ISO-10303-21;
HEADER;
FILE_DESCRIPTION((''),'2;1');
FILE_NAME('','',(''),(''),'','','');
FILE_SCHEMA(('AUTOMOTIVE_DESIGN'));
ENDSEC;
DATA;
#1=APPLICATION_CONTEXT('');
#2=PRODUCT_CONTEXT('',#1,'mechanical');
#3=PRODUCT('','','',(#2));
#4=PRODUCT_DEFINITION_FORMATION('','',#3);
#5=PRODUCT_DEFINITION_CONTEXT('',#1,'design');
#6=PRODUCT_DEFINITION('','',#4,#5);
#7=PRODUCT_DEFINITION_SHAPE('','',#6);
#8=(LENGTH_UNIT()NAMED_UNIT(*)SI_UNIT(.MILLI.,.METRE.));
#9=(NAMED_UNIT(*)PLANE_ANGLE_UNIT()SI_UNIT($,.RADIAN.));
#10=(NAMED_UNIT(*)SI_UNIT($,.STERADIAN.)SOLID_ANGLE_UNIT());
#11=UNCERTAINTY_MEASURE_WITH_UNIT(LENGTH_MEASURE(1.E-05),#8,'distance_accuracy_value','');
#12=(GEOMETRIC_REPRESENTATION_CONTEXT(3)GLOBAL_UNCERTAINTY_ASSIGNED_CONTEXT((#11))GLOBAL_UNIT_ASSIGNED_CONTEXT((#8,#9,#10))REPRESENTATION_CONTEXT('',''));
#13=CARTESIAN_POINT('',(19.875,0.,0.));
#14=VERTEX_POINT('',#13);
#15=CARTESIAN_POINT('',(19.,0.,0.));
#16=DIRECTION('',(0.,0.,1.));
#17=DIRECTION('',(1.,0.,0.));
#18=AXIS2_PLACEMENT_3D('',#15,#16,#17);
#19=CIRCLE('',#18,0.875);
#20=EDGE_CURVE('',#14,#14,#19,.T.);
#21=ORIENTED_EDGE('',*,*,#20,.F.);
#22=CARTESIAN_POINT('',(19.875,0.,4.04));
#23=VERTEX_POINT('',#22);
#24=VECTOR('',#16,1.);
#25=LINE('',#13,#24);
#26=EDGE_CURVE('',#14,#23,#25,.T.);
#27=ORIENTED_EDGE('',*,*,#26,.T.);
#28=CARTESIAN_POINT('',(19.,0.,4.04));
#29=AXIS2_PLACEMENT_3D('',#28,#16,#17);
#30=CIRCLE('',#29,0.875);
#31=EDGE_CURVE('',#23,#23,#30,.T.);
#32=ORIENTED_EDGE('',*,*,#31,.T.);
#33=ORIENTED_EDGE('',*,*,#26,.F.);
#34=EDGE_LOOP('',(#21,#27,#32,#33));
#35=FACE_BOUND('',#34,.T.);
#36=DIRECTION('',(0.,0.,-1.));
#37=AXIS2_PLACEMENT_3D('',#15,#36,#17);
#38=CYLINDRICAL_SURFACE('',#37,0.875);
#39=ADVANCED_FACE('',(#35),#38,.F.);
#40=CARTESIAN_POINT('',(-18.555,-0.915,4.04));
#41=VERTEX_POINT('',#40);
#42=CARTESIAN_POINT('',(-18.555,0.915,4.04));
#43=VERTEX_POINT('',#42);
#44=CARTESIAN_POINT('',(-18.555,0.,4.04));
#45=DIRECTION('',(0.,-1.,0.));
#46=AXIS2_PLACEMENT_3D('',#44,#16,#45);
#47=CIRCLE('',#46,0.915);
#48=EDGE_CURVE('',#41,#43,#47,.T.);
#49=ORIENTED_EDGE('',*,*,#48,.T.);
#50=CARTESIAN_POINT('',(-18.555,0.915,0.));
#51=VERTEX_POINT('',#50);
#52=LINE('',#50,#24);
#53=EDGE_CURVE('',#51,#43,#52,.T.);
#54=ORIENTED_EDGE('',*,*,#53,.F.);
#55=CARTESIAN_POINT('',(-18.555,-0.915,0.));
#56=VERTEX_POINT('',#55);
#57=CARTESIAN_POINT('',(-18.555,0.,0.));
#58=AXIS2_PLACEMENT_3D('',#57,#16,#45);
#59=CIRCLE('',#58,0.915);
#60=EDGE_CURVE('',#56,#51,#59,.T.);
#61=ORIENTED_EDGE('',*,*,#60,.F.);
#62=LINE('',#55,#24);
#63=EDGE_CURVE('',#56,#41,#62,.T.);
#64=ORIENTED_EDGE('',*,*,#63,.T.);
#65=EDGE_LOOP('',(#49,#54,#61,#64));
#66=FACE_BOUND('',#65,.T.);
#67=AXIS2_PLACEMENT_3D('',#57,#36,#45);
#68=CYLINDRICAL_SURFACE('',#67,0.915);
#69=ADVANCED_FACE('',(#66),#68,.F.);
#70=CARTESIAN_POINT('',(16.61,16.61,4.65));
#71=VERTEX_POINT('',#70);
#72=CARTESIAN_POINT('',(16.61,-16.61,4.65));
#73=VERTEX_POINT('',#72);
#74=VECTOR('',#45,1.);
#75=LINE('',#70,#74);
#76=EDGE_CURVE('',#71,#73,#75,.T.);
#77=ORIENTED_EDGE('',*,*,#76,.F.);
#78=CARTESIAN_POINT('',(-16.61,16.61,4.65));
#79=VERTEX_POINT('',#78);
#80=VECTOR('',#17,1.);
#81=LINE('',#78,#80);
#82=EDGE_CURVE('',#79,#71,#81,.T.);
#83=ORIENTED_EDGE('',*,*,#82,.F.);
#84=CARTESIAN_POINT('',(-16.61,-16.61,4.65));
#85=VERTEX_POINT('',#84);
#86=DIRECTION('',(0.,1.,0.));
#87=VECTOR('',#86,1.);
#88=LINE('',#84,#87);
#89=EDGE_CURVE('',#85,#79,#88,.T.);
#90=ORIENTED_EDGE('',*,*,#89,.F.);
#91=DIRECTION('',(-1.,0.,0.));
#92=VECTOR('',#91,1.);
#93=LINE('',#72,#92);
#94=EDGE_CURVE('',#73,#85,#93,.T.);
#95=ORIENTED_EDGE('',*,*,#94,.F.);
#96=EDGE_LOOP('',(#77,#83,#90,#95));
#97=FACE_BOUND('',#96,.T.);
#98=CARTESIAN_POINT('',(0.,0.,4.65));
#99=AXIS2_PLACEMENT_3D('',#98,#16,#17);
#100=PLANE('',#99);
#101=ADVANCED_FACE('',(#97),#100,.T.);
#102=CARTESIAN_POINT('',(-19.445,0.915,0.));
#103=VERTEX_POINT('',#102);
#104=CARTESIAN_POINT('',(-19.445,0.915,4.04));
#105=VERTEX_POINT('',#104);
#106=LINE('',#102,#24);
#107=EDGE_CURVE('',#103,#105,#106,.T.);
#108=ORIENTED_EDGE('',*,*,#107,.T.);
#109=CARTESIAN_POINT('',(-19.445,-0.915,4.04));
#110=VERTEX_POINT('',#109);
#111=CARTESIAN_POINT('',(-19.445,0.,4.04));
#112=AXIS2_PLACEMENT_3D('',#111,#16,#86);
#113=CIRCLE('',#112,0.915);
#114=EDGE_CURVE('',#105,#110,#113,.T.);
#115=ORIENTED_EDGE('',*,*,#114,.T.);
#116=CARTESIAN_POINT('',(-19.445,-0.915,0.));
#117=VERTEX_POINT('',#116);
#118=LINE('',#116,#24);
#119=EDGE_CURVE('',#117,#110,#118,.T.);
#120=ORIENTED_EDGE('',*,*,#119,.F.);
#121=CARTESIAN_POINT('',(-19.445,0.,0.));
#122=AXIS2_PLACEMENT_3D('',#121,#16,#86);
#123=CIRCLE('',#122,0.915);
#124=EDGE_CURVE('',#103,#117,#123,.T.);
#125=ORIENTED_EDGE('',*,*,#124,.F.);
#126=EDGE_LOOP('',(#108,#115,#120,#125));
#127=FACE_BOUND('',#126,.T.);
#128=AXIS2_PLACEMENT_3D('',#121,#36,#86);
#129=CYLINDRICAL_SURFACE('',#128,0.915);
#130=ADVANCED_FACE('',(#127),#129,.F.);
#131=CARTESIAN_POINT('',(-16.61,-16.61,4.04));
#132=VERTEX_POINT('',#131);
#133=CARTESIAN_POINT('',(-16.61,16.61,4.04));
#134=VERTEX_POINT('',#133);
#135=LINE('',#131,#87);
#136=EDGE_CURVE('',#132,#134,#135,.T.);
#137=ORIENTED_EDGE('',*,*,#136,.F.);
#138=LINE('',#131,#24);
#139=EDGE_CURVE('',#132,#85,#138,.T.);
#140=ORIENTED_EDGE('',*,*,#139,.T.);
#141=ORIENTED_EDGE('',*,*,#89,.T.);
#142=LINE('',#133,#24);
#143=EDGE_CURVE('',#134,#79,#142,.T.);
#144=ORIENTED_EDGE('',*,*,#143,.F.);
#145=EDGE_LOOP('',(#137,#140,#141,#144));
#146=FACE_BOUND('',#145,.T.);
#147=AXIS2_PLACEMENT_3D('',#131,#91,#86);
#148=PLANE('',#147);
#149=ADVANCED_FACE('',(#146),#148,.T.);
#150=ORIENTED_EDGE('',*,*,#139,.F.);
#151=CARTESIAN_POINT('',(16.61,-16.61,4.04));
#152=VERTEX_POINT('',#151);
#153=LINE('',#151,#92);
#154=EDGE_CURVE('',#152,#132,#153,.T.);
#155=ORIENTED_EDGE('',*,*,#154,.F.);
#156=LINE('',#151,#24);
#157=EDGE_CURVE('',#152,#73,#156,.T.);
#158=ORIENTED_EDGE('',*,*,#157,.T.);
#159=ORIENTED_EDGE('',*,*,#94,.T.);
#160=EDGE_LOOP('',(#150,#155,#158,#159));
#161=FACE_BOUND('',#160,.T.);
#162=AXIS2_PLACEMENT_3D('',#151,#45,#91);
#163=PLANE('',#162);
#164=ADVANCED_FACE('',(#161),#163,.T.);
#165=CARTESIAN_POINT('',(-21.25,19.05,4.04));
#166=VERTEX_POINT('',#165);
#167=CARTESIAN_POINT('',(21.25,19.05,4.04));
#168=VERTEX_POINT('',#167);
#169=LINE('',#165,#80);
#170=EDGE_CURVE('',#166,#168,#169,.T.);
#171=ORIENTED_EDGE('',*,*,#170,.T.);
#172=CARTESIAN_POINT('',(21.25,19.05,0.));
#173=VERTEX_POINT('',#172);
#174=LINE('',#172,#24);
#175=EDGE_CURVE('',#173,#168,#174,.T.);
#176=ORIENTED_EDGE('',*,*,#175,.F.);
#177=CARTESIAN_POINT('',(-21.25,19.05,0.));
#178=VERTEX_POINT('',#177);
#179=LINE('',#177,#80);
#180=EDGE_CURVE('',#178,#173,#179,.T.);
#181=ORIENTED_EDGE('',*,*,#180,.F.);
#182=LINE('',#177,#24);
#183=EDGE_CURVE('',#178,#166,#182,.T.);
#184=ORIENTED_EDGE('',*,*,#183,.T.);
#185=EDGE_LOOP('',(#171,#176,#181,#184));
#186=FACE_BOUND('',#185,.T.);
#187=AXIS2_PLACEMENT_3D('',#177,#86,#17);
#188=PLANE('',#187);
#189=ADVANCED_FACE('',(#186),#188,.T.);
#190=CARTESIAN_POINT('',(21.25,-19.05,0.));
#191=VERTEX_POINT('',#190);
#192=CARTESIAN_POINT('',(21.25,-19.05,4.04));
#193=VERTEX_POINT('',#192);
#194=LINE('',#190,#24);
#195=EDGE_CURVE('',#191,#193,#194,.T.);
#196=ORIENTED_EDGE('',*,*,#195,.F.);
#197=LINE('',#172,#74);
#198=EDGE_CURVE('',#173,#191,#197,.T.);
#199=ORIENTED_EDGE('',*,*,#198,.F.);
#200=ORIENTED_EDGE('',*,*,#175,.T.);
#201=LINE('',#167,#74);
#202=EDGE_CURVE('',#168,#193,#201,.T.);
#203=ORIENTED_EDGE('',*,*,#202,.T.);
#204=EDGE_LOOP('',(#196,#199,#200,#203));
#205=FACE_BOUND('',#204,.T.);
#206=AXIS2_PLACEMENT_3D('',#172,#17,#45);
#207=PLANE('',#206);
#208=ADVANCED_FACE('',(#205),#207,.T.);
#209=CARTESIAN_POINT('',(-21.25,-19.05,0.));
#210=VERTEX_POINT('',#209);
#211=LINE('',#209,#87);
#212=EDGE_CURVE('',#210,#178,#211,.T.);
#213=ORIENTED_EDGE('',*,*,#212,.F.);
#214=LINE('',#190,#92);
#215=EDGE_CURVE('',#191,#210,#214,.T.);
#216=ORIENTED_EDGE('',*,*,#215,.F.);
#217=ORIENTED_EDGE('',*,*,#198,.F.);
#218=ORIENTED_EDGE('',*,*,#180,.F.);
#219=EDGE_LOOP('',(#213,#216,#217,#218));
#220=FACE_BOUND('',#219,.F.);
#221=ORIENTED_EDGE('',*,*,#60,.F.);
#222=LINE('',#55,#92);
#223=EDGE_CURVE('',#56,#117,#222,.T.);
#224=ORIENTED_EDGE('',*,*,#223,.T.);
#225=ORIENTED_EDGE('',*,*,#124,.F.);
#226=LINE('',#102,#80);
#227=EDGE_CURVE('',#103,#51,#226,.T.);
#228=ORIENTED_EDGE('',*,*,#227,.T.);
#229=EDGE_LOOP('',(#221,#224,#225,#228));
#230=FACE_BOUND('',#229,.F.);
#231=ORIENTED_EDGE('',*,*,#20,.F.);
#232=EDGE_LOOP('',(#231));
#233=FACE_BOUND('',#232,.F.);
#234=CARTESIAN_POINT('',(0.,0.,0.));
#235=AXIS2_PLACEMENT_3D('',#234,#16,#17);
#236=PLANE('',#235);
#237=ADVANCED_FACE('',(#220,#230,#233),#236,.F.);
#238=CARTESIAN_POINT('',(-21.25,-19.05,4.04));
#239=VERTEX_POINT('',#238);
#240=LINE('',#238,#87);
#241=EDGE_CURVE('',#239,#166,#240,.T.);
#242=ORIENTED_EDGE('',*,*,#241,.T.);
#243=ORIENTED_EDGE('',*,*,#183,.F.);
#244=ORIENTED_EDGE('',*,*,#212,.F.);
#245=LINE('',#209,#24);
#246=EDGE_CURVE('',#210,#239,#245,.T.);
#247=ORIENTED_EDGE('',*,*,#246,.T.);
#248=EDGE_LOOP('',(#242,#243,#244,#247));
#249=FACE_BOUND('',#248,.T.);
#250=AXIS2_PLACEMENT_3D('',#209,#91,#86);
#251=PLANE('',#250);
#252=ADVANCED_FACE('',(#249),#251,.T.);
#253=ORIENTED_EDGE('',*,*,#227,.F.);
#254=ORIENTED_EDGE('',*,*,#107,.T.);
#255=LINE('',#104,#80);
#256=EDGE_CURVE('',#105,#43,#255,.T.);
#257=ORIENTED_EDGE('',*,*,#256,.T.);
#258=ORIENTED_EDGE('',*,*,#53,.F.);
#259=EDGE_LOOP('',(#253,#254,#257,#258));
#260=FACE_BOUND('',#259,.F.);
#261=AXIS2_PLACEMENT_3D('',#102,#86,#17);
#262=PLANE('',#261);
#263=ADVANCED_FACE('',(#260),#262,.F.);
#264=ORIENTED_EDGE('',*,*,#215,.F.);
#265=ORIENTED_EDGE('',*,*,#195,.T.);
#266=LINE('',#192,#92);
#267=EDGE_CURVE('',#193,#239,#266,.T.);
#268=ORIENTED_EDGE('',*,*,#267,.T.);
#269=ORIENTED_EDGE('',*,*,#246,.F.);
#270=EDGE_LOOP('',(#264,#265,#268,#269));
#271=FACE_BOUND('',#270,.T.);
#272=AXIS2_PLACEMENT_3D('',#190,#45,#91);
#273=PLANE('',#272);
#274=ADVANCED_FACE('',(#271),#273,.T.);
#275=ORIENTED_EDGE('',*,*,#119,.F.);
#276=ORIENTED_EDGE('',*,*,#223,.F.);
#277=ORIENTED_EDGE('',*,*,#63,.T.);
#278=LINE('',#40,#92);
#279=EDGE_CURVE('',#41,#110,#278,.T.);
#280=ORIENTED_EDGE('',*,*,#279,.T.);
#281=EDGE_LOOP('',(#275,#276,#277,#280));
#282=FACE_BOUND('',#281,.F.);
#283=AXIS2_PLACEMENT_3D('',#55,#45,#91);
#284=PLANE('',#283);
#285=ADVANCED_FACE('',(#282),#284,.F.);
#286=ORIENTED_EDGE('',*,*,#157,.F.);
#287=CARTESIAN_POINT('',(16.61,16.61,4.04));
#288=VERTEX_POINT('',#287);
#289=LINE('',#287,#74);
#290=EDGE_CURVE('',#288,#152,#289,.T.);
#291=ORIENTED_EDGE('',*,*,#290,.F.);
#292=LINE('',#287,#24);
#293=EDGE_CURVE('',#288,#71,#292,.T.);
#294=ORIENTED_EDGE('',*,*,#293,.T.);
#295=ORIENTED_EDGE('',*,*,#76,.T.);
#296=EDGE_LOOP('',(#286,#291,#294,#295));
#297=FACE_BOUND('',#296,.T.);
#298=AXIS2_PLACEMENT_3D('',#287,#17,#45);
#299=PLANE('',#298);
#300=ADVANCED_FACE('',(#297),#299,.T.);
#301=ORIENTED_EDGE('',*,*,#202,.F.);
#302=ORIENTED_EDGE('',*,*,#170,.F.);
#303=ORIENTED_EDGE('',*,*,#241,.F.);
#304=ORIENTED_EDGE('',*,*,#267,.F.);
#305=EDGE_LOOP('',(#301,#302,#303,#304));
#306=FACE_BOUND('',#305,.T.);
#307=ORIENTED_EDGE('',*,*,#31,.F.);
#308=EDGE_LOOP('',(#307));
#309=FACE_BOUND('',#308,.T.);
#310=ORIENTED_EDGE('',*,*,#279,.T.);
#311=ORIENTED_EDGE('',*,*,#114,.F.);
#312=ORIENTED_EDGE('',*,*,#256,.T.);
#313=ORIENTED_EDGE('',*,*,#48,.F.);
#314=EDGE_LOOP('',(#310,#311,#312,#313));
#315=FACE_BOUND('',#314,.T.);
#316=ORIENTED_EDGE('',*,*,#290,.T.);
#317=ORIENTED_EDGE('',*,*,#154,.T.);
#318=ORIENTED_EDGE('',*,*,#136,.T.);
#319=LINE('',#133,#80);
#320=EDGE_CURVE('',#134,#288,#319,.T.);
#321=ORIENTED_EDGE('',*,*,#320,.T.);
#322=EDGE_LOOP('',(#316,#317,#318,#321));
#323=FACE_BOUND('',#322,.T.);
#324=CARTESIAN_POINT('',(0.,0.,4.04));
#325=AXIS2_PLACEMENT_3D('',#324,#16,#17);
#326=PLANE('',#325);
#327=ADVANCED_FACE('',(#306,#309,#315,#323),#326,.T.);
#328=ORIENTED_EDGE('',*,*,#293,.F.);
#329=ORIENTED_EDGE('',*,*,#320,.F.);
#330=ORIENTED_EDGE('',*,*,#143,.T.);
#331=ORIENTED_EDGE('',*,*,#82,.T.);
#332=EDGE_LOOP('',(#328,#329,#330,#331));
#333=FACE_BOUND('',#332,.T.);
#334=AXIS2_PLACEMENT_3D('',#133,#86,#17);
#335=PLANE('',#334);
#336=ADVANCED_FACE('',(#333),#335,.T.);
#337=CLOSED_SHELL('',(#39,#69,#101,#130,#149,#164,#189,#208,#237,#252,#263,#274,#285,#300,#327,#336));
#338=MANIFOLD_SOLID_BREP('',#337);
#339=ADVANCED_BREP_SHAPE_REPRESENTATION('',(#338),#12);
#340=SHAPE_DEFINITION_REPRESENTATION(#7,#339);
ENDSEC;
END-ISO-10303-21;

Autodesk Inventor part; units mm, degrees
ref_plane "YZ Plane" through (0, 0, 0) normal (1, 0, 0) x (0, 1, 0)
ref_plane "XZ Plane" through (0, 0, 0) normal (0, 1, 0) x (-1, 0, 0)
ref_plane "XY Plane" through (0, 0, 0) normal (0, 0, 1) x (1, 0, 0)
sketch "Sketch1" plane through (0, 0, 0) normal (0, 0, 1) x (1, 0, 0)
  line L0 (-21.25, 19.05) -> (21.25, 19.05)
  line L1 (21.25, 19.05) -> (21.25, -19.05)
  line L2 (21.25, -19.05) -> (-21.25, -19.05)
  line L3 (-21.25, -19.05) -> (-21.25, 19.05)
  line L4 (21.25, 0) -> (-21.25, 0) construction
  circle A0 centre (19, 0) radius 0.875
  line L5 (-19.445, 0.915) -> (-18.555, 0.915)
  line L6 (-18.555, -0.915) -> (-19.445, -0.915)
  arc A1 (-19.445, 0.915) -> (-19.445, -0.915) centre (-19.445, 0) ccw
  arc A2 (-18.555, -0.915) -> (-18.555, 0.915) centre (-18.555, 0) ccw
  line L7 (0, -19.05) -> (0, 19.05) construction
  line L8 (-19, 0.915) -> (-19, -0.915) construction
  point P0 (0, 0)
  point P1 (-19, 0)
  dimension "d0" = 38.1
  dimension "d2" = 42.5
  dimension "d3" = 2.25
  dimension "d4" = 1.75
  dimension "d6" = 1.83
  dimension "d7" = 2.72
  dimension "d8" = 38
extrude "Extrusion1" add sketch "Sketch1" along normal blind 4.04
sketch "Sketch2" plane through (0, 0, 4.04) normal (0, 0, 1) x (1, 0, 0)
  line L0 (-16.61, 16.61) -> (16.61, 16.61)
  line L1 (16.61, 16.61) -> (16.61, -16.61)
  line L2 (16.61, -16.61) -> (-16.61, -16.61)
  line L3 (-16.61, -16.61) -> (-16.61, 16.61)
  line L4 (0, 16.61) -> (0, -16.61) construction
  line L5 (-16.61, 0) -> (16.61, 0) construction
  point P0 (0, 0)
  dimension "d11" = 33.22
  dimension "d18" = 33.22
extrude "Extrusion2" add sketch "Sketch2" along normal blind 0.61
sketch "Sketch3" plane through (0, 0, 4.65) normal (0, 0, 1) x (1, 0, 0)
  line L0 (16.61, 16.61) -> (-16.61, 16.61) projected
  line L1 (-16.61, 16.61) -> (-16.61, -16.61) projected
  line L2 (-16.61, -16.61) -> (16.61, -16.61) projected
  line L3 (16.61, -16.61) -> (16.61, 16.61) projected
  line L4 (-9.5505, 7.125) -> (9.5505, 7.125)
  line L5 (9.5505, 7.125) -> (9.5505, -7.125)
  line L6 (9.5505, -7.125) -> (-9.5505, -7.125)
  line L7 (-9.5505, -7.125) -> (-9.5505, 7.125)
  line L8 (-9.5505, 7.125) -> (9.5505, -7.125) construction
  line L9 (9.5505, 7.125) -> (-9.5505, -7.125) construction
  point P0 (0, 0)
  point P1 (0, 0)
  dimension "d21" = 19.101
  dimension "d23" = 14.25
properties part number "KAC12040"
